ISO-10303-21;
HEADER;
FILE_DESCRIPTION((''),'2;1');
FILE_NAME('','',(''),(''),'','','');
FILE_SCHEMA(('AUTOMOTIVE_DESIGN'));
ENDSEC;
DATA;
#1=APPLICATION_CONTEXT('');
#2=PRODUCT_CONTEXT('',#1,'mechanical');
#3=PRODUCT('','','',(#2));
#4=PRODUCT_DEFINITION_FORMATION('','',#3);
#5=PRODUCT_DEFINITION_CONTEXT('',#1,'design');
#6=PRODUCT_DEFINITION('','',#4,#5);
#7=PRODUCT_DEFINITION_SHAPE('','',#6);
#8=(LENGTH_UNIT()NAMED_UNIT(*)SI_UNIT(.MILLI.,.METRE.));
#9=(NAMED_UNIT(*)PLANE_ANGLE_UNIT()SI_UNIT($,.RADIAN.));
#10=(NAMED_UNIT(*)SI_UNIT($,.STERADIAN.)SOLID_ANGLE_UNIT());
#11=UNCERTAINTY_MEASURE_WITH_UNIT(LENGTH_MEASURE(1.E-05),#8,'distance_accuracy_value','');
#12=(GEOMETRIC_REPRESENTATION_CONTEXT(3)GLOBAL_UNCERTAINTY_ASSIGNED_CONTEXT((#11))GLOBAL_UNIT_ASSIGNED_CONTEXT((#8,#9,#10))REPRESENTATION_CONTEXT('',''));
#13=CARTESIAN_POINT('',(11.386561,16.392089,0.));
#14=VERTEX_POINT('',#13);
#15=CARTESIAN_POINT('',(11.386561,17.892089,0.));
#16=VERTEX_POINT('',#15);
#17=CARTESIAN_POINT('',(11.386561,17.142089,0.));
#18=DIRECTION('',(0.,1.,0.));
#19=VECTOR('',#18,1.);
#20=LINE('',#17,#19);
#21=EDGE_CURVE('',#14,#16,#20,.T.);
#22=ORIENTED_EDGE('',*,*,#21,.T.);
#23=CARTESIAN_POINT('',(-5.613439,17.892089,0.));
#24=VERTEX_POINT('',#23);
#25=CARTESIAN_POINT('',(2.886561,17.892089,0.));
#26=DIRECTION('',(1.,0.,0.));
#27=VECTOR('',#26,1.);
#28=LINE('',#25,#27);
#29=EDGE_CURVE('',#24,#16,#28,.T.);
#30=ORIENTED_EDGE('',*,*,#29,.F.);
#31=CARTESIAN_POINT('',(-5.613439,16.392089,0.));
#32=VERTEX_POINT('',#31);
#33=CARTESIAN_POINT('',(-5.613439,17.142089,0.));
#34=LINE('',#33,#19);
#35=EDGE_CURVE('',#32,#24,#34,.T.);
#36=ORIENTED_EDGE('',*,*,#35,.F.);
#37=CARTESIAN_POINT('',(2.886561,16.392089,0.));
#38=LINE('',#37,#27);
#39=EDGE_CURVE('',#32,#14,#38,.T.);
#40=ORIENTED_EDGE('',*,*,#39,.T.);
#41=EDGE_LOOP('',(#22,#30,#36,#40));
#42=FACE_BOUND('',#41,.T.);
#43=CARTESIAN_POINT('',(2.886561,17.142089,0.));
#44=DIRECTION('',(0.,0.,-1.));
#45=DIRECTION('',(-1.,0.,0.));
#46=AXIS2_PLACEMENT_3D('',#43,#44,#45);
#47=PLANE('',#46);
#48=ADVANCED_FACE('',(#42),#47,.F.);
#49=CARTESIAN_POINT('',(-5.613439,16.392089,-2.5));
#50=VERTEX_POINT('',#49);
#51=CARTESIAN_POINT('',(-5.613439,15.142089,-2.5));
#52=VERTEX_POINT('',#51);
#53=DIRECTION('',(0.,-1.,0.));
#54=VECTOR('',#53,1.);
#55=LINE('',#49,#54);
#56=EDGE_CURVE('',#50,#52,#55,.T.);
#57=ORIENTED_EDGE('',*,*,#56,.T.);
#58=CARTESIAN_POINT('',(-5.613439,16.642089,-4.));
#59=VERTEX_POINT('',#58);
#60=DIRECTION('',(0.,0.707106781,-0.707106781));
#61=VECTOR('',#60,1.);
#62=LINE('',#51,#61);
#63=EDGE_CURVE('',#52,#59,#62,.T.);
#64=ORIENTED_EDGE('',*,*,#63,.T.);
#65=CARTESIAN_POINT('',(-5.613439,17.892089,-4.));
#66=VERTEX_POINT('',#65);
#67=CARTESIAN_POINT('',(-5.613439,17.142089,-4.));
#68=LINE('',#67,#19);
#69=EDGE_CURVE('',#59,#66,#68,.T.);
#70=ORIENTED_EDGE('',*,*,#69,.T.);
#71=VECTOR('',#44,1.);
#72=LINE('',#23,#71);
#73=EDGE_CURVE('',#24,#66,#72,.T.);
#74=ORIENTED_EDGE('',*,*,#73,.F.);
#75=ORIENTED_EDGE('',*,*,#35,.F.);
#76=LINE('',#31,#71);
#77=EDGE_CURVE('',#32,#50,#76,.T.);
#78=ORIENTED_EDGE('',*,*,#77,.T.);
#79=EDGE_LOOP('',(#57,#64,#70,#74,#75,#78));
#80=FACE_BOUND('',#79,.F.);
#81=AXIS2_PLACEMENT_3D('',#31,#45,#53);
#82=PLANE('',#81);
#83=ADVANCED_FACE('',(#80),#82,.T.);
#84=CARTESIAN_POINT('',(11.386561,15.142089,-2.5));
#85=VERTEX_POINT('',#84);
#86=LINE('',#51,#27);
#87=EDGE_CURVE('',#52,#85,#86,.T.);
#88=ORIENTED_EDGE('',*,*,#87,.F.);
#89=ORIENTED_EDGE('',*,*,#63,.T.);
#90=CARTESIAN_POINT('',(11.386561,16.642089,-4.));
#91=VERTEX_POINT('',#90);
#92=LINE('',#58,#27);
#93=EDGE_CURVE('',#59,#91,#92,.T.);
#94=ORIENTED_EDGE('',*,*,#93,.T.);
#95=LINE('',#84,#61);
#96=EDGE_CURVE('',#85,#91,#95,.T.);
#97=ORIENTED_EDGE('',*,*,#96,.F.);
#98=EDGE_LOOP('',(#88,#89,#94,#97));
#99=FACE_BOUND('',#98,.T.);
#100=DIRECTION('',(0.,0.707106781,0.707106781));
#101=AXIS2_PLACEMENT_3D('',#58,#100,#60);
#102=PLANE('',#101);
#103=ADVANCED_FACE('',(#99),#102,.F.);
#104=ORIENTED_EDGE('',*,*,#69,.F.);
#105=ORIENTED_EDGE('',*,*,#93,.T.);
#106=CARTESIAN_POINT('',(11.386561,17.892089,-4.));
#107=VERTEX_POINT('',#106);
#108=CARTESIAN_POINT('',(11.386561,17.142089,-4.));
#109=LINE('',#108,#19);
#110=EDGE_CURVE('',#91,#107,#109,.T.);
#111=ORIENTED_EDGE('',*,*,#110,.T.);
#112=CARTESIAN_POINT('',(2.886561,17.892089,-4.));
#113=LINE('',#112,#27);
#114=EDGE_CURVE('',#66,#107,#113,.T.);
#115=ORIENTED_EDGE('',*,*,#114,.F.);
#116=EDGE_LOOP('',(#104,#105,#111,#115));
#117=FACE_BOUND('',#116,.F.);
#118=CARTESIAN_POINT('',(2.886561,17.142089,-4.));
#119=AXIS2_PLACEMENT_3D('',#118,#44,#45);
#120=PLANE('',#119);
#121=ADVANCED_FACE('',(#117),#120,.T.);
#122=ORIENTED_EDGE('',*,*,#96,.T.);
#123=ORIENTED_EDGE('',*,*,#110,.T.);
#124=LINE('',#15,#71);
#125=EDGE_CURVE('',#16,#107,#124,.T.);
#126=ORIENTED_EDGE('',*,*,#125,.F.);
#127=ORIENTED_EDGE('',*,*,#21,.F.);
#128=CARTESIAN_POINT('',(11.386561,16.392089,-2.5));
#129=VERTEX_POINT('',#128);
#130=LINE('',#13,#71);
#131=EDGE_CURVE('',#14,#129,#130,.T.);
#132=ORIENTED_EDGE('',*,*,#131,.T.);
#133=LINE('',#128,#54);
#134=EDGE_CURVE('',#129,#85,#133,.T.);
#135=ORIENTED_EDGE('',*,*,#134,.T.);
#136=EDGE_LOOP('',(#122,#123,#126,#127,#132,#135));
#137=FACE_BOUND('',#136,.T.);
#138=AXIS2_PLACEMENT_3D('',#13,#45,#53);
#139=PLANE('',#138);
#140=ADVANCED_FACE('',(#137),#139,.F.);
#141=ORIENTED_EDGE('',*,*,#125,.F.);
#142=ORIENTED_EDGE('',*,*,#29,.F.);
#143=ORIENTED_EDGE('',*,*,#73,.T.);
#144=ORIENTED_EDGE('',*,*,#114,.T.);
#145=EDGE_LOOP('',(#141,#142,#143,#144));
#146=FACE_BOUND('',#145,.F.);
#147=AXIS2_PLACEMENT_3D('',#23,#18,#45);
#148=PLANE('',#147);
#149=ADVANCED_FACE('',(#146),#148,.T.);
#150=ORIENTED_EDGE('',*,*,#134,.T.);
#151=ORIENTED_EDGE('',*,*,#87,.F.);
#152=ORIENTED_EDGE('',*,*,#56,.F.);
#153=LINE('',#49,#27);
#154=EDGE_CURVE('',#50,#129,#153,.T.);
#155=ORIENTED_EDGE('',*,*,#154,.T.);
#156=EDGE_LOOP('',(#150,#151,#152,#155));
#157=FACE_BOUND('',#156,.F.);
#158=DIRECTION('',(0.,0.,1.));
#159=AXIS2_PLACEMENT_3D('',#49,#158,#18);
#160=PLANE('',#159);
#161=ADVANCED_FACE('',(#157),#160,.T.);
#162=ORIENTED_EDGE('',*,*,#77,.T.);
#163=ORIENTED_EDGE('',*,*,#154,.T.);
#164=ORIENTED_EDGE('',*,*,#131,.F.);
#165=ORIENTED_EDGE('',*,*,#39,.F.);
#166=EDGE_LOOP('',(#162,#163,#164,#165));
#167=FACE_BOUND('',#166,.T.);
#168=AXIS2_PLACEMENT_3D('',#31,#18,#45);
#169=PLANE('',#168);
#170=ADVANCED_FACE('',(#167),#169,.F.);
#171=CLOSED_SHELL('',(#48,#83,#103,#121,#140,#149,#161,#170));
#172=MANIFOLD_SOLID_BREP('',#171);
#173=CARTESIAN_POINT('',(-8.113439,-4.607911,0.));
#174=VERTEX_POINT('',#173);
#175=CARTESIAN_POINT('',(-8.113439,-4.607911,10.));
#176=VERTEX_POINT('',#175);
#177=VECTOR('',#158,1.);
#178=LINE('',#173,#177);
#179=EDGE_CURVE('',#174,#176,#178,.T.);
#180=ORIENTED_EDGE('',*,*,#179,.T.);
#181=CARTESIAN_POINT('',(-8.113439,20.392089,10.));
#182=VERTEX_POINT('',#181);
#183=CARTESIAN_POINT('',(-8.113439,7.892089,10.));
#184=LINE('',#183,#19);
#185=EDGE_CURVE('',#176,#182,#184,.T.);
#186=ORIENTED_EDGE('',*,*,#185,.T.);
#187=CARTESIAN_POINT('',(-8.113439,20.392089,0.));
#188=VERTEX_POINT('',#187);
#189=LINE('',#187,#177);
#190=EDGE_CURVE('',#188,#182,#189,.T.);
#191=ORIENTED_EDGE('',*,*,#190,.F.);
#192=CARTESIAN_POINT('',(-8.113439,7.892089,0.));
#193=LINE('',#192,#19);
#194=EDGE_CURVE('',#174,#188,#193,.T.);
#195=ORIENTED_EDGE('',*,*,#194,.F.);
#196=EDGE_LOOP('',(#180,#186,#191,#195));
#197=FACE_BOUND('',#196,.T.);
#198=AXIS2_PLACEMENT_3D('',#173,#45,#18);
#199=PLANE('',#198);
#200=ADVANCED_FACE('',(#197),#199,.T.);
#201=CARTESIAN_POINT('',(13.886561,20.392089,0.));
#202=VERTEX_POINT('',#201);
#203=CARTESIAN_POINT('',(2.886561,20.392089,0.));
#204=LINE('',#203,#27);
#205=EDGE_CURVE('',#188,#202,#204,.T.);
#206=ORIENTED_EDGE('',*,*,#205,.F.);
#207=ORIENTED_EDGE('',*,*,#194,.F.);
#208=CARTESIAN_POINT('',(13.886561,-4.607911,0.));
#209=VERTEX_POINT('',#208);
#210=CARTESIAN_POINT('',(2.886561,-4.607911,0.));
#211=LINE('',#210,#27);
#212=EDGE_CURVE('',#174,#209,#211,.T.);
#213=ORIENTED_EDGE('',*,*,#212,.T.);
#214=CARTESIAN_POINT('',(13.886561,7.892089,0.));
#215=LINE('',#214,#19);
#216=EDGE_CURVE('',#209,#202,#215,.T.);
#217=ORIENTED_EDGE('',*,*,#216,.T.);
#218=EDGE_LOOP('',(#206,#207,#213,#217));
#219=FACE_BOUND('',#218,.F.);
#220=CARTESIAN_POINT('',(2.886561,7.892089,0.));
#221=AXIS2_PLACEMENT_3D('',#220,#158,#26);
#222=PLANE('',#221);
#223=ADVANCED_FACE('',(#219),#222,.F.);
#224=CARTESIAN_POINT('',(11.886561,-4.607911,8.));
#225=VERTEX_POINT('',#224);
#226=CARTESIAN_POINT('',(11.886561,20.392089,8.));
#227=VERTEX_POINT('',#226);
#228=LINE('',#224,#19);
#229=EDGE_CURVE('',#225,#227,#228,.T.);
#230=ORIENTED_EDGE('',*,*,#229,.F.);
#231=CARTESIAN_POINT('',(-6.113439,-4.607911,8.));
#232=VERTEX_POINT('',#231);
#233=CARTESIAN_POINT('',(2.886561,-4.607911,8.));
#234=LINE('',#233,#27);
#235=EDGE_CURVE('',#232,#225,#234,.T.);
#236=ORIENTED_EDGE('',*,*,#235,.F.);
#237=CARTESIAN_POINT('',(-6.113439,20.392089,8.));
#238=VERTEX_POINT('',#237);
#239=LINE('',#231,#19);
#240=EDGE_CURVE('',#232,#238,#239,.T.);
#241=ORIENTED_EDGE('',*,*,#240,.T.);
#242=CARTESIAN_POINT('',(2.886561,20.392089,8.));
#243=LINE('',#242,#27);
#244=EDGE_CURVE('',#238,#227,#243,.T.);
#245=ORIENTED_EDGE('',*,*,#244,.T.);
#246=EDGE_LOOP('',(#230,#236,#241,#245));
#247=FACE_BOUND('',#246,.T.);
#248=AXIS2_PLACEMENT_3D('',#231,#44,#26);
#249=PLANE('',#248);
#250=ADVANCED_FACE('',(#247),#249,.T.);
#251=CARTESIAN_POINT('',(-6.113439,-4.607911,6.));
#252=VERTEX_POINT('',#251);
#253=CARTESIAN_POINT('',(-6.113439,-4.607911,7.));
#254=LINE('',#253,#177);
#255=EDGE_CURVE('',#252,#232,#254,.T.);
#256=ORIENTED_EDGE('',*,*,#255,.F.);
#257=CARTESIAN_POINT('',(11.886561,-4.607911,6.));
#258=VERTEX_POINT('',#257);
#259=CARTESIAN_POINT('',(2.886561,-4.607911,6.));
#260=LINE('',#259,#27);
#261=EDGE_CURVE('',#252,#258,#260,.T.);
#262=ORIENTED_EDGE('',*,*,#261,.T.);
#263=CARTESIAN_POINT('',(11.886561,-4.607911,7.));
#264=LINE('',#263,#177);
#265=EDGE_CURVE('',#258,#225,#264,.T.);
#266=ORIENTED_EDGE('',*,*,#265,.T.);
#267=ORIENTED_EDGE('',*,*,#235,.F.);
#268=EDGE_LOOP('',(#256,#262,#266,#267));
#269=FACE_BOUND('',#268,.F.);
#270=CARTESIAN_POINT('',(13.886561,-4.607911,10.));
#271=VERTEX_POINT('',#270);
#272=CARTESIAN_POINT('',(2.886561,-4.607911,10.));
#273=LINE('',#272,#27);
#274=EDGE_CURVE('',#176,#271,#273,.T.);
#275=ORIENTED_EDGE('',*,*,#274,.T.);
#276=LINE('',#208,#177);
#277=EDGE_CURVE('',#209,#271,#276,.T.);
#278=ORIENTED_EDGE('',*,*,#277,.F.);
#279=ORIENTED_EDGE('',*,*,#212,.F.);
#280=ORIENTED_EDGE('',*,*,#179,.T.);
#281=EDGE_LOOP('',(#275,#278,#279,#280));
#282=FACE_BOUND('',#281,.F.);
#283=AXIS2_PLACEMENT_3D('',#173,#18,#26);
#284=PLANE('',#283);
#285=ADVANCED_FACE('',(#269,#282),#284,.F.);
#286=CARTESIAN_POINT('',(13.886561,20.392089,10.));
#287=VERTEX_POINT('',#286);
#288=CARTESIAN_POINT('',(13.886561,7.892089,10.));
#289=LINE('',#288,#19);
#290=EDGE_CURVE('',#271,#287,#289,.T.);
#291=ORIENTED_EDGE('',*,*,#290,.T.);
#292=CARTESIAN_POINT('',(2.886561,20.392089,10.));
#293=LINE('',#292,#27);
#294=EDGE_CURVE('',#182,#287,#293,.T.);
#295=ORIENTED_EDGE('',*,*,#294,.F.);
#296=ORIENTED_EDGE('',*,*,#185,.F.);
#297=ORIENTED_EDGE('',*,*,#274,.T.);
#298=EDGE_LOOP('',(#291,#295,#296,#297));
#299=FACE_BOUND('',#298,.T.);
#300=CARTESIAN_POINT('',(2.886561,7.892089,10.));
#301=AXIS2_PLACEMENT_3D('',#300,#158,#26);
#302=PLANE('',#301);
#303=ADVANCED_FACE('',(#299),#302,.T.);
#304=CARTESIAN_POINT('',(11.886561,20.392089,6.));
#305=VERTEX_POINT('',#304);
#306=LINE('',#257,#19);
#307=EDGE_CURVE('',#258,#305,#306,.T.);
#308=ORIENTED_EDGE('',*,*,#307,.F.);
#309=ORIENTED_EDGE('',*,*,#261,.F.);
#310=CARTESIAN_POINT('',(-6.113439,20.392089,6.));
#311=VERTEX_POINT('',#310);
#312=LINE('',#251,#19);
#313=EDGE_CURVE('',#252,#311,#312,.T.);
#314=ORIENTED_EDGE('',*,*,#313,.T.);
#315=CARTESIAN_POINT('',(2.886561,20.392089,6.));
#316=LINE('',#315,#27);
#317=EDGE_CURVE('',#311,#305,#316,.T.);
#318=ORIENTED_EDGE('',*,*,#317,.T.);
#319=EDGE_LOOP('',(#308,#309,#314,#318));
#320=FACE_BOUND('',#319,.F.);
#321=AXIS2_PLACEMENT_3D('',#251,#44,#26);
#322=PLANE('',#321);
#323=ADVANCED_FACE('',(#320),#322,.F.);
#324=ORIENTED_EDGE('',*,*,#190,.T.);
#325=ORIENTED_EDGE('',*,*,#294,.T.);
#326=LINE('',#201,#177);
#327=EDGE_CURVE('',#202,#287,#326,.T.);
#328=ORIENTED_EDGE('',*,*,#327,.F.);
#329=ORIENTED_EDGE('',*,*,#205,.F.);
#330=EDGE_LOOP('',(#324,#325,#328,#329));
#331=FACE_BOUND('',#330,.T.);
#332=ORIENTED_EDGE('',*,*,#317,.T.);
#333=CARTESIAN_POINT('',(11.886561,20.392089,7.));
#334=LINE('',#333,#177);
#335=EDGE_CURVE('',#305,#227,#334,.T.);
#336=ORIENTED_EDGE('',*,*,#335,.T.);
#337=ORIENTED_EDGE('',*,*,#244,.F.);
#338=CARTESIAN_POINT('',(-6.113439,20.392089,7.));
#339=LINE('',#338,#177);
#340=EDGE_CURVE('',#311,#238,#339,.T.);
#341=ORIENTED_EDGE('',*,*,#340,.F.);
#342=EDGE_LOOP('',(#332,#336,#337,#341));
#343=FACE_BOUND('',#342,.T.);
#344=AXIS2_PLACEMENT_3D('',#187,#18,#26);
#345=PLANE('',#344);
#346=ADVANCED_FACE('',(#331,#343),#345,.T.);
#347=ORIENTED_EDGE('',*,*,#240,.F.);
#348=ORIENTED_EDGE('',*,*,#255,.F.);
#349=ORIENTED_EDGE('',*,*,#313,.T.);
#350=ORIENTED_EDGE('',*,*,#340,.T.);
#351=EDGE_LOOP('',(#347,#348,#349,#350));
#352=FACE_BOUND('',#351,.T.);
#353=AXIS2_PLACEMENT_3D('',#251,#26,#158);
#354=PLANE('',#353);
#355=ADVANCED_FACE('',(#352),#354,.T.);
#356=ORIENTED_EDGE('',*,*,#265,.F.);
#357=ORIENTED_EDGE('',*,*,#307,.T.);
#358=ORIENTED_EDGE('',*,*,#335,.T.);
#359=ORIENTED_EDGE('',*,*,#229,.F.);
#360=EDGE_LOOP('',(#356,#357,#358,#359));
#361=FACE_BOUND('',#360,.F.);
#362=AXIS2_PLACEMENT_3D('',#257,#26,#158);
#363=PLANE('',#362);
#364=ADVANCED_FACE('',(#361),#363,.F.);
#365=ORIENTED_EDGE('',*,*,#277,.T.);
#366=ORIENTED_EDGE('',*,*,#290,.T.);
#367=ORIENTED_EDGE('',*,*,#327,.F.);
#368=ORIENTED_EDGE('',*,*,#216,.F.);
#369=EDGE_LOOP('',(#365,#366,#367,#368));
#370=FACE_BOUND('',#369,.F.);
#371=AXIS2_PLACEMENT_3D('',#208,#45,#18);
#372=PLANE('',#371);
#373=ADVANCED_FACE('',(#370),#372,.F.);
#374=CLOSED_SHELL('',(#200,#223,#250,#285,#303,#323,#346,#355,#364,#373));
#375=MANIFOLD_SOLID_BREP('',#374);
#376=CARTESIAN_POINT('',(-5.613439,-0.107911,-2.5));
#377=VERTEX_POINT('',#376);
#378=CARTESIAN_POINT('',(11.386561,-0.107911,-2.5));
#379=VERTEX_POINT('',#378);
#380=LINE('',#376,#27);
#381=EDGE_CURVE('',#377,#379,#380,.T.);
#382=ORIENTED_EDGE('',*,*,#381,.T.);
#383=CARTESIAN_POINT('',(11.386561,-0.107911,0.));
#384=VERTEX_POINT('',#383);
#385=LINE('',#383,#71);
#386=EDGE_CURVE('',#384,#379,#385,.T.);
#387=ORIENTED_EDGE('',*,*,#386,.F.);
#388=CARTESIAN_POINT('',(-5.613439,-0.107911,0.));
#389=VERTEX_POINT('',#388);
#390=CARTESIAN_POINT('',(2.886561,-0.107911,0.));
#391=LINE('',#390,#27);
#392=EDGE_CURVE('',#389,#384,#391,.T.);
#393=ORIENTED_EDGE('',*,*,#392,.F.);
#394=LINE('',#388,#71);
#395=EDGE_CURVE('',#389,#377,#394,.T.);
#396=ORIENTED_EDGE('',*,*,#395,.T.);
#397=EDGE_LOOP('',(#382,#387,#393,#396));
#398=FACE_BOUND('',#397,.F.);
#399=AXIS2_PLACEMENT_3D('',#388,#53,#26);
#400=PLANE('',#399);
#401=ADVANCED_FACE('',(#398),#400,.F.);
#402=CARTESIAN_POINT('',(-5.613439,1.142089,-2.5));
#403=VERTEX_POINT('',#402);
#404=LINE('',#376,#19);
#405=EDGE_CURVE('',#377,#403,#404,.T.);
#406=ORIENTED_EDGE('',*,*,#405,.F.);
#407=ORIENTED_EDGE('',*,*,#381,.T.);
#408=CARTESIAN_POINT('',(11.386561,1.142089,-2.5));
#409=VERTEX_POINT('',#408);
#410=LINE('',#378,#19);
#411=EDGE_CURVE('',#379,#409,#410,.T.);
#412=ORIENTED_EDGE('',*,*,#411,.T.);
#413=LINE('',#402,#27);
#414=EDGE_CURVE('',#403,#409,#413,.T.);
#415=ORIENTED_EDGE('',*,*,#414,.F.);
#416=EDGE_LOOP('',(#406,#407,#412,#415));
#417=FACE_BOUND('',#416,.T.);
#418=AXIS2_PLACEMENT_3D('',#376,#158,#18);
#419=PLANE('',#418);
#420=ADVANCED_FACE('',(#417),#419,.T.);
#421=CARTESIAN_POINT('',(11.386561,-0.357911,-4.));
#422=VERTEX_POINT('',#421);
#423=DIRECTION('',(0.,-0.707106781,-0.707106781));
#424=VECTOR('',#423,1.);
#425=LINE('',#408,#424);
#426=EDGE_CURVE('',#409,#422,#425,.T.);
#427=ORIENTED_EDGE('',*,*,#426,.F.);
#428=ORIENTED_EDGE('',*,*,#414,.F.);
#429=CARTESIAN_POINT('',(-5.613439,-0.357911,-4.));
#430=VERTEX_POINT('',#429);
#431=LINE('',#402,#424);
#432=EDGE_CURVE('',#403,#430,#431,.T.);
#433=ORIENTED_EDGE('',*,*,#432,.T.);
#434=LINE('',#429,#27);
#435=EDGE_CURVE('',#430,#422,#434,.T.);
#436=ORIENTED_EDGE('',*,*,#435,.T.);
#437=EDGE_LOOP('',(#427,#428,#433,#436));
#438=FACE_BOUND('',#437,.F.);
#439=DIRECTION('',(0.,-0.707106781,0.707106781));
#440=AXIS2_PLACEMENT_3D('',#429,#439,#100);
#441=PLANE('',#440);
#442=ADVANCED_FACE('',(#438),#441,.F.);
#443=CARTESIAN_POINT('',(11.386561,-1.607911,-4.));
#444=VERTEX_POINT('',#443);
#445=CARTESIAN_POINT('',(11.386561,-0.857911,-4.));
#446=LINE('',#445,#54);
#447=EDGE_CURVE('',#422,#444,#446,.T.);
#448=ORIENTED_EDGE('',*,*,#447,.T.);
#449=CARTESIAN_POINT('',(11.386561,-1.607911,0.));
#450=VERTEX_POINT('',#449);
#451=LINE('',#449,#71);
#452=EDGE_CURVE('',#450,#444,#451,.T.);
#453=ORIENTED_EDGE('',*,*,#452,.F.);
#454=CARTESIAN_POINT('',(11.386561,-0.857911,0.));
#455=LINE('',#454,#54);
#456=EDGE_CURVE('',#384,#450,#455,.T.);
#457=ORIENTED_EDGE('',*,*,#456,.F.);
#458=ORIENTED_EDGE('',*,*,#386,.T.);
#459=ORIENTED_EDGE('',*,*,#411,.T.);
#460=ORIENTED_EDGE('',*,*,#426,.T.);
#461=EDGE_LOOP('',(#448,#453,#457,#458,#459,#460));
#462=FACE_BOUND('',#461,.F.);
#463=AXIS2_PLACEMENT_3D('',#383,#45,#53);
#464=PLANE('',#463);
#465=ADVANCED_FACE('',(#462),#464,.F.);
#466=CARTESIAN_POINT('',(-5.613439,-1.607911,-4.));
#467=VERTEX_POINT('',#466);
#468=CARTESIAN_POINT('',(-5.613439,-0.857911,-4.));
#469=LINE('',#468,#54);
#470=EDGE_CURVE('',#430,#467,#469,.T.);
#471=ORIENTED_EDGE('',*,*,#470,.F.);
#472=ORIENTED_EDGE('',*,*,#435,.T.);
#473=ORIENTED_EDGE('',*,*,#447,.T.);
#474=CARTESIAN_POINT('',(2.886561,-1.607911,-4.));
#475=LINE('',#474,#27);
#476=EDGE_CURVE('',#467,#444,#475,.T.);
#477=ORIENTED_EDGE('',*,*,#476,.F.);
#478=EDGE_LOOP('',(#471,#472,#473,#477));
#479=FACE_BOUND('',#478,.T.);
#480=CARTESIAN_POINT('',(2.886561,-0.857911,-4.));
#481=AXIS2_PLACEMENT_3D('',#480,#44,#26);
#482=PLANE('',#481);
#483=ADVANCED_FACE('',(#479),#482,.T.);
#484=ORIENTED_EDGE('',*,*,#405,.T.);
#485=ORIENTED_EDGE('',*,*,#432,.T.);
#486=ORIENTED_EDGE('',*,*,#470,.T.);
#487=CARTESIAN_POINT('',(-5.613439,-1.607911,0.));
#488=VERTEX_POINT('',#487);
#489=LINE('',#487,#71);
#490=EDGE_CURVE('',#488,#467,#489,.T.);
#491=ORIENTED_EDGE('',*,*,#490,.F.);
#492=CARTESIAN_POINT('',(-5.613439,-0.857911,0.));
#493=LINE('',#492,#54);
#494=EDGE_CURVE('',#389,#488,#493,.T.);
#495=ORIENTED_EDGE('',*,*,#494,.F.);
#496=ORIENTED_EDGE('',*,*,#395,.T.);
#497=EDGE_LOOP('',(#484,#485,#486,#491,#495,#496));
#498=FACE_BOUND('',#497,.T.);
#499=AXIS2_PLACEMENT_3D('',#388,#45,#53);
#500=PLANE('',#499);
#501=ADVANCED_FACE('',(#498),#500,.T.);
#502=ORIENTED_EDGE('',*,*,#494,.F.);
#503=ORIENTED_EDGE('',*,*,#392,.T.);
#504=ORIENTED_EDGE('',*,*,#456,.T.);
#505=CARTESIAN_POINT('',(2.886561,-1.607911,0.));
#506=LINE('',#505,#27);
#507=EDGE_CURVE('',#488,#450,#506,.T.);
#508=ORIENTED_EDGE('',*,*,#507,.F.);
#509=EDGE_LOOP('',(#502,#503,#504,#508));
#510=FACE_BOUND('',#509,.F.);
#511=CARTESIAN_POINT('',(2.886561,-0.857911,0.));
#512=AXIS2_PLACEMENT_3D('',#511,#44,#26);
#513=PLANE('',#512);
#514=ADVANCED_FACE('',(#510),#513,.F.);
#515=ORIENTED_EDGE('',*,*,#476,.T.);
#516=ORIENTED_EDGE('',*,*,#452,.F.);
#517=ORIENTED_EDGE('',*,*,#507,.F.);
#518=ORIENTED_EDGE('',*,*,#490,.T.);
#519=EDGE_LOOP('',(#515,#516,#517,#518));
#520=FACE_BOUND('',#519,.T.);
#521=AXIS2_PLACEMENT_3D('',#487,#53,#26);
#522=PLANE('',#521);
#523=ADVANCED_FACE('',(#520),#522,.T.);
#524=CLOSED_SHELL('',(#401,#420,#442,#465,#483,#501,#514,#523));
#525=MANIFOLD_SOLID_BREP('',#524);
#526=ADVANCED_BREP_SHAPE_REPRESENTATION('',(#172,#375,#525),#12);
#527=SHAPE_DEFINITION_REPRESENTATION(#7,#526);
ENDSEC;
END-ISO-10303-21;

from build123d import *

# Parameters (mm, degrees)
F0_W     = 22
F0_H     = 25
F1_DEPTH = 10
F2_W     = 18
F2_H     = 2
F3_DEPTH = 25
F4_W     = 17
F4_H     = 1.5
F5_DEPTH = 4
F7_DEPTH = 17
F8_DEPTH = 17


with BuildPart() as f1:
    # F0 (on Top) → F1 (new body)
    with BuildSketch(Plane.XY):
        with Locations((2.886561, 7.892089)):
            Rectangle(F0_W, F0_H)
    extrude(amount=F1_DEPTH)

    # F2 (on face) → F3 (cut, through all)
    with BuildSketch(Plane.XZ.offset(4.607911)):
        with Locations((2.886561, 7)):
            Rectangle(F2_W, F2_H)
    extrude(amount=-F3_DEPTH, mode=Mode.SUBTRACT)


with BuildPart() as f5:
    # F4 (on face) → F5 (new body)
    with BuildSketch(Plane(origin=(0, 0, 0), x_dir=(1, 0, 0), z_dir=(0, 0, -1))):
        with Locations((2.886561, 0.857911)):
            Rectangle(F4_W, F4_H)
    extrude(amount=F5_DEPTH)

    # F6 (on face) → F7 (join, through all)
    with BuildSketch(Plane(origin=(-5.613439, 0, 0), x_dir=(0, -1, 0), z_dir=(-1, 0, 0))):
        Polygon((0.107911, -3.75), (0.107911, -2.5), (-1.142089, -2.5), align=None)
    extrude(amount=-F7_DEPTH)

    # F6 (on face) → F8 (cut, through all)
    with BuildSketch(Plane(origin=(-5.613439, 0, 0), x_dir=(0, -1, 0), z_dir=(-1, 0, 0))):
        Polygon((0.357911, -4), (0.107911, -3.75), (0.107911, -4), align=None)
    extrude(amount=-F8_DEPTH, mode=Mode.SUBTRACT)


with BuildPart() as f9_1:
    # F9: instance of F5
    add(f5.part.mirror(Plane(origin=(2.886561, -0.107911, -1.25), x_dir=(-1, 0, 0), z_dir=(0, 1, 0))))


with BuildPart() as f9_1_1:
    # F10: moved
    add(f9_1.part.moved(Location((0, 16.5, 0))))


solid = Compound([f1.part, f5.part, f9_1_1.part])
